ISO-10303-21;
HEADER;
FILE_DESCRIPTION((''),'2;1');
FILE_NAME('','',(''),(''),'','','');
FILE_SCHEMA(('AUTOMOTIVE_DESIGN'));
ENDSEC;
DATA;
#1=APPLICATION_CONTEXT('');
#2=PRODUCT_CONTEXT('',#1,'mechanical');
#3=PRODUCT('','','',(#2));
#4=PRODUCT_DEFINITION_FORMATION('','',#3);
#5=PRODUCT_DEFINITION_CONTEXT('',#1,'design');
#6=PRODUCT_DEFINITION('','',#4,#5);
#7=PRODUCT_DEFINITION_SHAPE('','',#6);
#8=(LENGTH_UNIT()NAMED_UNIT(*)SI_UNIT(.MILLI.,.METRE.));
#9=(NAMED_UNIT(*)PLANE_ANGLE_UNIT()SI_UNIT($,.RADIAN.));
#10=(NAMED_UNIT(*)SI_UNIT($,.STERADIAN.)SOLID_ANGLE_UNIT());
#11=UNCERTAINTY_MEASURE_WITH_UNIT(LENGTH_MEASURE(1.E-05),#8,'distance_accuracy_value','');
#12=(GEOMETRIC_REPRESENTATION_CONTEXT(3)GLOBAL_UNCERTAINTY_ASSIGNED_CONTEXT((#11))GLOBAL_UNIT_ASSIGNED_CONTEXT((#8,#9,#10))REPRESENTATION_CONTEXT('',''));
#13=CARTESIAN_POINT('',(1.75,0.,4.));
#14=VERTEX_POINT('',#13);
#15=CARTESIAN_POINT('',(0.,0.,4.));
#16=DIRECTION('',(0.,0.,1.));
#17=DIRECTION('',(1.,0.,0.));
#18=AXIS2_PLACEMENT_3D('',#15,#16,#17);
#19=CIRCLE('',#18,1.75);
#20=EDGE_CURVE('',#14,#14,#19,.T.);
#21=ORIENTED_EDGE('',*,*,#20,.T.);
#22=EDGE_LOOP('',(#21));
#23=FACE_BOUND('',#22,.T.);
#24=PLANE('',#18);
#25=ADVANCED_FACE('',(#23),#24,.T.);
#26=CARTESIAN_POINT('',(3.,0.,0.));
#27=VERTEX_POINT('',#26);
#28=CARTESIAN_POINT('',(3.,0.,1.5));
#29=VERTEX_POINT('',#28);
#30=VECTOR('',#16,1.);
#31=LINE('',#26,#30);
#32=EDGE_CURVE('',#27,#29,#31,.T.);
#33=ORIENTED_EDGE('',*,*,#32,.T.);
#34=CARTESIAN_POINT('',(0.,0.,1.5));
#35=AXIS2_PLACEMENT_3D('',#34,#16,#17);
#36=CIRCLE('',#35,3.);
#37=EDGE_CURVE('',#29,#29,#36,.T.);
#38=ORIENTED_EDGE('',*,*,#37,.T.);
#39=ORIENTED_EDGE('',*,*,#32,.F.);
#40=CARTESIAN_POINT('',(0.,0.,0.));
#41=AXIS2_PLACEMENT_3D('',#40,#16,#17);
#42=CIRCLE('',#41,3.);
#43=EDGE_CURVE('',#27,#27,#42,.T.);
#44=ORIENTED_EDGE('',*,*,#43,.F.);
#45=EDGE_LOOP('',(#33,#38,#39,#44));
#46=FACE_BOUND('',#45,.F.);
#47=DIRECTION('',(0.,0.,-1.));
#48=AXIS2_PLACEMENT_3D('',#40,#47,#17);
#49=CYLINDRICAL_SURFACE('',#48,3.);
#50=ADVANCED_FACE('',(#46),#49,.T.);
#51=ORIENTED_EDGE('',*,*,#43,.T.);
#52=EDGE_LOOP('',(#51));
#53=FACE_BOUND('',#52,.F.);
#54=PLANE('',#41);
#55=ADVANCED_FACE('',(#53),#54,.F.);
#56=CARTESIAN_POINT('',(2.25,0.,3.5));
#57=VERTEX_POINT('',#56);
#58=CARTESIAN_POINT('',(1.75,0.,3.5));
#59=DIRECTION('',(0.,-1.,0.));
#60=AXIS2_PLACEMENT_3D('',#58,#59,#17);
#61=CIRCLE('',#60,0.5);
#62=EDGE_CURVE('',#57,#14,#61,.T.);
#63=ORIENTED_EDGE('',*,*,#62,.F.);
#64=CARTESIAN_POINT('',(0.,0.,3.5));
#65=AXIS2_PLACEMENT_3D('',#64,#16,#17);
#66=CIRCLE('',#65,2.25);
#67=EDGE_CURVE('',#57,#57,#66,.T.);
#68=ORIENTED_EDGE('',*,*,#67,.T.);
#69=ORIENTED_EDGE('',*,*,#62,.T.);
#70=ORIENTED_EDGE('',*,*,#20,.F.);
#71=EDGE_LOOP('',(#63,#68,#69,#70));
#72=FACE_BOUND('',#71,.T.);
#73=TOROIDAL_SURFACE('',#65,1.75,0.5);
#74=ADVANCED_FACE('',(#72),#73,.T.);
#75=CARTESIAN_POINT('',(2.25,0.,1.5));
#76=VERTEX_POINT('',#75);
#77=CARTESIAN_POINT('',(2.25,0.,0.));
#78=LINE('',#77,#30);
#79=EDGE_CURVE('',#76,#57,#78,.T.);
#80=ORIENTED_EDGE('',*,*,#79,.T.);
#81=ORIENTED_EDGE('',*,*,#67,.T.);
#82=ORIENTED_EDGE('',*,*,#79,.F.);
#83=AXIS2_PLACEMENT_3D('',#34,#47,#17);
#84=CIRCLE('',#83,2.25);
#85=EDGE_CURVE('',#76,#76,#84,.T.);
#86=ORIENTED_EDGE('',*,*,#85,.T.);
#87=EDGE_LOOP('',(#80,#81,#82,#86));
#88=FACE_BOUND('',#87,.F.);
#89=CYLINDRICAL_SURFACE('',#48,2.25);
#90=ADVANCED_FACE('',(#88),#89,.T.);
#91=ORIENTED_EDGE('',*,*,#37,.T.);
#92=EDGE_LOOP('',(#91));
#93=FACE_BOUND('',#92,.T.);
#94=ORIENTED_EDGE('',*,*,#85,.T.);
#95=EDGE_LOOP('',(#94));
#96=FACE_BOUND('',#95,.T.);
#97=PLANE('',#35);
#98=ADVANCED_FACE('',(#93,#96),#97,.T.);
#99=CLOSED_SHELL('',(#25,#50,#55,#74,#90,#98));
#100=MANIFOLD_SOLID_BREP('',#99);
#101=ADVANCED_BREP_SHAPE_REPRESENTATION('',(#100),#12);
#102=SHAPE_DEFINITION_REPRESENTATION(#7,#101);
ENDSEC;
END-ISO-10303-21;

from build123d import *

# Parameters (mm, degrees)
F0_R     = 3
F0_R_2   = 2.25
F1_DEPTH = 1.5
F2_DEPTH = 4
F3_R     = 0.5


with BuildPart() as f1:
    # F0 (on Top) → F1 (new body)
    with BuildSketch(Plane.XY):
        Circle(F0_R)
        Circle(F0_R_2, mode=Mode.SUBTRACT)
        Circle(F0_R_2)
    extrude(amount=F1_DEPTH)

    # F0 (on Top) → F2 (join)
    with BuildSketch(Plane.XY):
        Circle(F0_R_2)
    extrude(amount=F2_DEPTH)

    # F3
    f3_edges = [f1.edges().sort_by_distance(p)[0] for p in [
        (-2.25, 0, 4),
    ]]
    fillet(f3_edges, radius=F3_R)


solid = f1.part
